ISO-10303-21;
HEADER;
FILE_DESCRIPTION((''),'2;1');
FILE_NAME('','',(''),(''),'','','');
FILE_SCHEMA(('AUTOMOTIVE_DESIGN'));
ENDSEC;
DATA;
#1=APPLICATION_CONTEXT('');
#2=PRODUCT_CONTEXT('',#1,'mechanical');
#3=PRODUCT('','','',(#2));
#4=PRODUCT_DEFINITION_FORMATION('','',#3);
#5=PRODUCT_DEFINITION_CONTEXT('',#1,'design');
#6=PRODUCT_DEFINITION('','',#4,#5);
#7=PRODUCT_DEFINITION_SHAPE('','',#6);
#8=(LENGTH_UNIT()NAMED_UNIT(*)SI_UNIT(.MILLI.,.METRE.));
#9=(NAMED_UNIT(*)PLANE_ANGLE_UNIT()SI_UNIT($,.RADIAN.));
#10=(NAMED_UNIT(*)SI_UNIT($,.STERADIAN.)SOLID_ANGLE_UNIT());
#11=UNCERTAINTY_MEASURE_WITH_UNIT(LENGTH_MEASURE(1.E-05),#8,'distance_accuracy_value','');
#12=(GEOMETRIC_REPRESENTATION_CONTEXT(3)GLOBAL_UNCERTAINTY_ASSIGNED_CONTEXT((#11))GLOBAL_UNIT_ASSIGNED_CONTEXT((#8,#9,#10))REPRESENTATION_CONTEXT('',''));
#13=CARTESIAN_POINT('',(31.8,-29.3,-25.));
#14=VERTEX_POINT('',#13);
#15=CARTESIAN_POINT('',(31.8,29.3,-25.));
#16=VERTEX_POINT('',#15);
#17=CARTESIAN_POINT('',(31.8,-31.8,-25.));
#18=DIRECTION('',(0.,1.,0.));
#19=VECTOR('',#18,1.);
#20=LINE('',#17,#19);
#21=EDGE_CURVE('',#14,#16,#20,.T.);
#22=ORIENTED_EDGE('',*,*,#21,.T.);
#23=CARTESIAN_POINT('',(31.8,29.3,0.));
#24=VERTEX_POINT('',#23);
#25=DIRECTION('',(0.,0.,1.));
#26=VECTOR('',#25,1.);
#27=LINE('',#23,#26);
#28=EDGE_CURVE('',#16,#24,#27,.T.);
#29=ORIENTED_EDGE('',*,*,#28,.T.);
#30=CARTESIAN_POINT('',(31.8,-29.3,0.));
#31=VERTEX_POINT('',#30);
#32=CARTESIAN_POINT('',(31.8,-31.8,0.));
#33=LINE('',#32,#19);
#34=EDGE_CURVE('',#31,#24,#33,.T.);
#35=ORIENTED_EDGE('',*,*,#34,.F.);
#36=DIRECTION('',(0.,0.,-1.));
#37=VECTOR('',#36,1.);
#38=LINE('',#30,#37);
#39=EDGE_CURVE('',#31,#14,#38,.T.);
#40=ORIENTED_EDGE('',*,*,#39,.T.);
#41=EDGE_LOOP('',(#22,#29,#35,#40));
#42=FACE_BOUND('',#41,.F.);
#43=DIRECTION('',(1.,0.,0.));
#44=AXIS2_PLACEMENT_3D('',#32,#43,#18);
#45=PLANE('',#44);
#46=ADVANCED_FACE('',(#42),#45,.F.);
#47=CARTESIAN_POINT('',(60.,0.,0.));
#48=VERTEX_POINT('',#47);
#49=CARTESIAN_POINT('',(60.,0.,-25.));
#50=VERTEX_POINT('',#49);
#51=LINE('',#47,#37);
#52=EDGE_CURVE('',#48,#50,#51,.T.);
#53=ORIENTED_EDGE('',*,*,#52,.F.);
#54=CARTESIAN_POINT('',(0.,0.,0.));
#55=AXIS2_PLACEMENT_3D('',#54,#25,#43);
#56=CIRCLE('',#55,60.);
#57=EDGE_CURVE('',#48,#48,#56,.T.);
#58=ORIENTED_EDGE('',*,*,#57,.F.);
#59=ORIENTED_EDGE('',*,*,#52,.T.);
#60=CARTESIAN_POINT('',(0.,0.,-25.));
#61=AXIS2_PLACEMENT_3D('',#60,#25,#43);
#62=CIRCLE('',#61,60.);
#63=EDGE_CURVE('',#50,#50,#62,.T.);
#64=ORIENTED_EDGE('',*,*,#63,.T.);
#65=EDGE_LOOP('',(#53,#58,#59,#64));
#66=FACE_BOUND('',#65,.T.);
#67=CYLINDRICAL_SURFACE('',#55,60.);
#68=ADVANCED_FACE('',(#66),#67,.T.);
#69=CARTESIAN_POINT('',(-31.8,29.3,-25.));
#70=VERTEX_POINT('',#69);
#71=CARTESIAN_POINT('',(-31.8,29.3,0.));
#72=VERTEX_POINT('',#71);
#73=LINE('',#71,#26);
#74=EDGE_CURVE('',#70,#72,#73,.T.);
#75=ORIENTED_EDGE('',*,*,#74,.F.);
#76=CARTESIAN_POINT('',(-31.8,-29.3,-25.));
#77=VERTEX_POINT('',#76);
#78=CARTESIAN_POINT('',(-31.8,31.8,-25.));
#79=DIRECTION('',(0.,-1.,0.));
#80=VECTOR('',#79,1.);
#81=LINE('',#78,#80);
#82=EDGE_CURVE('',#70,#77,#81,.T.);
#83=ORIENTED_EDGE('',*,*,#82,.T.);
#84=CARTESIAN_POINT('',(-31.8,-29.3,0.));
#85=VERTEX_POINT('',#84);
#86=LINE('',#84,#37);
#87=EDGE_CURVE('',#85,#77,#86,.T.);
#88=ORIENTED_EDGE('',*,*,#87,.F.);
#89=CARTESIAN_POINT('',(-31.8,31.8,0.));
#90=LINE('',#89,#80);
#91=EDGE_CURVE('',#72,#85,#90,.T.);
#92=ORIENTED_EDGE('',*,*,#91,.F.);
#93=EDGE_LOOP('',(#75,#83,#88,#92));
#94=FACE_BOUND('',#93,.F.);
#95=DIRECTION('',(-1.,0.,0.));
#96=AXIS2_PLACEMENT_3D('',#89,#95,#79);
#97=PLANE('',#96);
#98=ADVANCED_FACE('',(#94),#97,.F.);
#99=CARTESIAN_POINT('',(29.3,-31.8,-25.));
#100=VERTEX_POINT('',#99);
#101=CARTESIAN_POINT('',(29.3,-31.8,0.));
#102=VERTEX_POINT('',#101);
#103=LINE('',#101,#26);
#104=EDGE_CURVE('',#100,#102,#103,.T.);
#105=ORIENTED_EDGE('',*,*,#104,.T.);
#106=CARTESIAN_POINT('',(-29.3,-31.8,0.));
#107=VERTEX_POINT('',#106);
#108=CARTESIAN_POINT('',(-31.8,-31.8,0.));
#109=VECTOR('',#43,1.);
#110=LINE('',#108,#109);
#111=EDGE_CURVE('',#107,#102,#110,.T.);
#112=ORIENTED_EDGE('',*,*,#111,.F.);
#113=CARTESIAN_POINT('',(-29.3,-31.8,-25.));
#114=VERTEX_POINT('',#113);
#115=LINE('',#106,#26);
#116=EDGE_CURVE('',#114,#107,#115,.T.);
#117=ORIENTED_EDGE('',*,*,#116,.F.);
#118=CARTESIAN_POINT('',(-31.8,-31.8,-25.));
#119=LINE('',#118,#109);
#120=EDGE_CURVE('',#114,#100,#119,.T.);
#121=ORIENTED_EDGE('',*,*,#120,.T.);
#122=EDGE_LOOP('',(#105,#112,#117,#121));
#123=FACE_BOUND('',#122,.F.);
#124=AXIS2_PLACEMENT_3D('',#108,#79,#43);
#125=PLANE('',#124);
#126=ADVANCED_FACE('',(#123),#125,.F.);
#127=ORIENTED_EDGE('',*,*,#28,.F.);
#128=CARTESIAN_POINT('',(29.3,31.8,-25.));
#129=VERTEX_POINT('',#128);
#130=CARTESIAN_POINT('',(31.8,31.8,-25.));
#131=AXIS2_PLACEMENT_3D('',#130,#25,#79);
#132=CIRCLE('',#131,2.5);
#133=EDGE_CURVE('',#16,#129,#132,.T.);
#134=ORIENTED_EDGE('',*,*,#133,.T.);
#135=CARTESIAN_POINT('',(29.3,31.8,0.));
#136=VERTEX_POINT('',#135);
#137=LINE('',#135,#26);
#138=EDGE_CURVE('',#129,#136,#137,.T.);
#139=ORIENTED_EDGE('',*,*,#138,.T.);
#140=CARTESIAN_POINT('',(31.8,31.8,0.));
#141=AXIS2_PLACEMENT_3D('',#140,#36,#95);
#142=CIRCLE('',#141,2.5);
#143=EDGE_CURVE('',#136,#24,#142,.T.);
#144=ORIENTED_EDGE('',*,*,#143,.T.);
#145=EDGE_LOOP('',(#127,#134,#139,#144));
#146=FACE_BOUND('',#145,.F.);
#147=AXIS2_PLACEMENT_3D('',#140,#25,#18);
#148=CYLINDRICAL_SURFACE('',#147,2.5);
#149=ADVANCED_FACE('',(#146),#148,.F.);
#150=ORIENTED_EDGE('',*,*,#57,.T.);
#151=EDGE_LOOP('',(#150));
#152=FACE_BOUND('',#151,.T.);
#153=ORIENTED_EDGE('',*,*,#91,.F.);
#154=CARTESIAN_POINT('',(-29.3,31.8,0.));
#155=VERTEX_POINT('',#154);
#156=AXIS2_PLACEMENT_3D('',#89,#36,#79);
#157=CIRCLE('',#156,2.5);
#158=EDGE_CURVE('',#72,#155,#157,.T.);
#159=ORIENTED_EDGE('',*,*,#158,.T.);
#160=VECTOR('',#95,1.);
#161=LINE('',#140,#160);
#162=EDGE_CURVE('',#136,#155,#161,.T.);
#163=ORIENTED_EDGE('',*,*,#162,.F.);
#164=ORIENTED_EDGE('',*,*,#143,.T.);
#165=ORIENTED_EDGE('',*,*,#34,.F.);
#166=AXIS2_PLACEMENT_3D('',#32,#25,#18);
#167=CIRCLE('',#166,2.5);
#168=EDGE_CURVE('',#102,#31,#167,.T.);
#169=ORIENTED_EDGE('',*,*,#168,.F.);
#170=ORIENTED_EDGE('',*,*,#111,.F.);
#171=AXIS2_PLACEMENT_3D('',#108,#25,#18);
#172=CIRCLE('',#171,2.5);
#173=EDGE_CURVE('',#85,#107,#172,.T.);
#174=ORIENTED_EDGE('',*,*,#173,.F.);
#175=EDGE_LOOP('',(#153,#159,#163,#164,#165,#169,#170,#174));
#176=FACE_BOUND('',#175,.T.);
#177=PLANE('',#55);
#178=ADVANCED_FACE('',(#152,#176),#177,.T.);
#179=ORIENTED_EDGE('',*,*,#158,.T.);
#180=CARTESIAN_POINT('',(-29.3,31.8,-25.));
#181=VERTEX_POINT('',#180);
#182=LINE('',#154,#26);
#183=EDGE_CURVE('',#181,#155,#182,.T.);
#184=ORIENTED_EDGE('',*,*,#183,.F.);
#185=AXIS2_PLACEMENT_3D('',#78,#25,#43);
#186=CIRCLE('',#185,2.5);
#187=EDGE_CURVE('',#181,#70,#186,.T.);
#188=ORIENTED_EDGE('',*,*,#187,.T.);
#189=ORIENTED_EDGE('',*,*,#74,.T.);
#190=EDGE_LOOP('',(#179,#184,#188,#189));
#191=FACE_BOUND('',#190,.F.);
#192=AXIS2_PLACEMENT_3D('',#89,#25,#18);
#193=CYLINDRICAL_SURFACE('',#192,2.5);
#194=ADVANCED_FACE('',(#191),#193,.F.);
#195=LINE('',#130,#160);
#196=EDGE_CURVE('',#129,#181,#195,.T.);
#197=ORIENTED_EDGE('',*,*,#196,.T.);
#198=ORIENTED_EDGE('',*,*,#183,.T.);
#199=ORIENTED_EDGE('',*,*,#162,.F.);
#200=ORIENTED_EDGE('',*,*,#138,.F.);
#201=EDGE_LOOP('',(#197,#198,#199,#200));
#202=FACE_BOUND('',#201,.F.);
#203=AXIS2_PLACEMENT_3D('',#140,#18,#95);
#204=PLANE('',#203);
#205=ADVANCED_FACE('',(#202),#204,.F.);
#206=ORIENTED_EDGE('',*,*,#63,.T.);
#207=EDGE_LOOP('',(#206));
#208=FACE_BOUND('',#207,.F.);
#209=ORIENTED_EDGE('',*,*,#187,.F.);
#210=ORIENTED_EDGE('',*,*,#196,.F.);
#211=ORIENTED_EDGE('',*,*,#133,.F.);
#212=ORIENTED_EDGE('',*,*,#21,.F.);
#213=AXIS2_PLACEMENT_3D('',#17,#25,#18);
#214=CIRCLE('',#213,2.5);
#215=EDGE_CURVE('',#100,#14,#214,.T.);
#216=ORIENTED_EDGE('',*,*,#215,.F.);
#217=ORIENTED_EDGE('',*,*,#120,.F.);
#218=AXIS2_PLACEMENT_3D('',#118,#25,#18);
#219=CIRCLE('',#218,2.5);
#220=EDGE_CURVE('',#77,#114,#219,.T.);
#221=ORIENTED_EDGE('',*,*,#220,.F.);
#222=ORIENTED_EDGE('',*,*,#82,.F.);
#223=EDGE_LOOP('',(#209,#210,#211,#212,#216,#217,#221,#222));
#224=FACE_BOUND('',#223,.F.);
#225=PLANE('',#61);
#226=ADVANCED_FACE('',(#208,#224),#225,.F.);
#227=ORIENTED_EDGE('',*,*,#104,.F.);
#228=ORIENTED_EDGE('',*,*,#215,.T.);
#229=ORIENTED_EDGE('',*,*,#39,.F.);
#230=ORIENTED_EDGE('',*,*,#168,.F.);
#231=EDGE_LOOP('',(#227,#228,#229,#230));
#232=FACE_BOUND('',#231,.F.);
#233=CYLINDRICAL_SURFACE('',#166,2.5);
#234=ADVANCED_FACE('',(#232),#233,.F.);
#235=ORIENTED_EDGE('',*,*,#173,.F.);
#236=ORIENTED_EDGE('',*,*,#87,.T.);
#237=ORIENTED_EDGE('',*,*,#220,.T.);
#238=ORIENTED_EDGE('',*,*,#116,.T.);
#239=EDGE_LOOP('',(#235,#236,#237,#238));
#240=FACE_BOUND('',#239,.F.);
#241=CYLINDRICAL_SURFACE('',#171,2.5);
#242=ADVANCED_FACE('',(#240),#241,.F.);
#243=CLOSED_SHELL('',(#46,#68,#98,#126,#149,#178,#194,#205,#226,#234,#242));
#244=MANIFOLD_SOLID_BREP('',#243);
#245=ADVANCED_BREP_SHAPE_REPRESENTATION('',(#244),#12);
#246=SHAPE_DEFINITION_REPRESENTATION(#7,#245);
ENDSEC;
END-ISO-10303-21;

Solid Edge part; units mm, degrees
sketch "Sketch1" plane through (0, 0, 0) normal (0, 0, 1) x (1, 0, 0)
  circle A0 centre (0, 0) radius 60
extrude "Protrusion1" add sketch "Sketch1" against normal blind 25
sketch "Sketch2" plane through (0, 0, 0) normal (0, 0, 1) x (1, 0, 0)
  line L0 (-31.8, -31.8) -> (31.8, -31.8)
  line L1 (31.8, -31.8) -> (31.8, 31.8)
  line L2 (31.8, 31.8) -> (-31.8, 31.8)
  line L3 (-31.8, 31.8) -> (-31.8, -31.8)
extrude "ExtrudedCutout_1" cut sketch "Sketch2" against normal blind 25
sketch "Sketch3" plane through (0, 0, 0) normal (0, 0, 1) x (0, 1, 0)
  circle A0 centre (31.8, 31.8) radius 2.5
  circle A1 centre (-31.8, 31.8) radius 2.5
  circle A2 centre (31.8, -31.8) radius 2.5
  circle A3 centre (-31.8, -31.8) radius 2.5
extrude "ExtrudedCutout_2" cut sketch "Sketch3" against normal blind 25
